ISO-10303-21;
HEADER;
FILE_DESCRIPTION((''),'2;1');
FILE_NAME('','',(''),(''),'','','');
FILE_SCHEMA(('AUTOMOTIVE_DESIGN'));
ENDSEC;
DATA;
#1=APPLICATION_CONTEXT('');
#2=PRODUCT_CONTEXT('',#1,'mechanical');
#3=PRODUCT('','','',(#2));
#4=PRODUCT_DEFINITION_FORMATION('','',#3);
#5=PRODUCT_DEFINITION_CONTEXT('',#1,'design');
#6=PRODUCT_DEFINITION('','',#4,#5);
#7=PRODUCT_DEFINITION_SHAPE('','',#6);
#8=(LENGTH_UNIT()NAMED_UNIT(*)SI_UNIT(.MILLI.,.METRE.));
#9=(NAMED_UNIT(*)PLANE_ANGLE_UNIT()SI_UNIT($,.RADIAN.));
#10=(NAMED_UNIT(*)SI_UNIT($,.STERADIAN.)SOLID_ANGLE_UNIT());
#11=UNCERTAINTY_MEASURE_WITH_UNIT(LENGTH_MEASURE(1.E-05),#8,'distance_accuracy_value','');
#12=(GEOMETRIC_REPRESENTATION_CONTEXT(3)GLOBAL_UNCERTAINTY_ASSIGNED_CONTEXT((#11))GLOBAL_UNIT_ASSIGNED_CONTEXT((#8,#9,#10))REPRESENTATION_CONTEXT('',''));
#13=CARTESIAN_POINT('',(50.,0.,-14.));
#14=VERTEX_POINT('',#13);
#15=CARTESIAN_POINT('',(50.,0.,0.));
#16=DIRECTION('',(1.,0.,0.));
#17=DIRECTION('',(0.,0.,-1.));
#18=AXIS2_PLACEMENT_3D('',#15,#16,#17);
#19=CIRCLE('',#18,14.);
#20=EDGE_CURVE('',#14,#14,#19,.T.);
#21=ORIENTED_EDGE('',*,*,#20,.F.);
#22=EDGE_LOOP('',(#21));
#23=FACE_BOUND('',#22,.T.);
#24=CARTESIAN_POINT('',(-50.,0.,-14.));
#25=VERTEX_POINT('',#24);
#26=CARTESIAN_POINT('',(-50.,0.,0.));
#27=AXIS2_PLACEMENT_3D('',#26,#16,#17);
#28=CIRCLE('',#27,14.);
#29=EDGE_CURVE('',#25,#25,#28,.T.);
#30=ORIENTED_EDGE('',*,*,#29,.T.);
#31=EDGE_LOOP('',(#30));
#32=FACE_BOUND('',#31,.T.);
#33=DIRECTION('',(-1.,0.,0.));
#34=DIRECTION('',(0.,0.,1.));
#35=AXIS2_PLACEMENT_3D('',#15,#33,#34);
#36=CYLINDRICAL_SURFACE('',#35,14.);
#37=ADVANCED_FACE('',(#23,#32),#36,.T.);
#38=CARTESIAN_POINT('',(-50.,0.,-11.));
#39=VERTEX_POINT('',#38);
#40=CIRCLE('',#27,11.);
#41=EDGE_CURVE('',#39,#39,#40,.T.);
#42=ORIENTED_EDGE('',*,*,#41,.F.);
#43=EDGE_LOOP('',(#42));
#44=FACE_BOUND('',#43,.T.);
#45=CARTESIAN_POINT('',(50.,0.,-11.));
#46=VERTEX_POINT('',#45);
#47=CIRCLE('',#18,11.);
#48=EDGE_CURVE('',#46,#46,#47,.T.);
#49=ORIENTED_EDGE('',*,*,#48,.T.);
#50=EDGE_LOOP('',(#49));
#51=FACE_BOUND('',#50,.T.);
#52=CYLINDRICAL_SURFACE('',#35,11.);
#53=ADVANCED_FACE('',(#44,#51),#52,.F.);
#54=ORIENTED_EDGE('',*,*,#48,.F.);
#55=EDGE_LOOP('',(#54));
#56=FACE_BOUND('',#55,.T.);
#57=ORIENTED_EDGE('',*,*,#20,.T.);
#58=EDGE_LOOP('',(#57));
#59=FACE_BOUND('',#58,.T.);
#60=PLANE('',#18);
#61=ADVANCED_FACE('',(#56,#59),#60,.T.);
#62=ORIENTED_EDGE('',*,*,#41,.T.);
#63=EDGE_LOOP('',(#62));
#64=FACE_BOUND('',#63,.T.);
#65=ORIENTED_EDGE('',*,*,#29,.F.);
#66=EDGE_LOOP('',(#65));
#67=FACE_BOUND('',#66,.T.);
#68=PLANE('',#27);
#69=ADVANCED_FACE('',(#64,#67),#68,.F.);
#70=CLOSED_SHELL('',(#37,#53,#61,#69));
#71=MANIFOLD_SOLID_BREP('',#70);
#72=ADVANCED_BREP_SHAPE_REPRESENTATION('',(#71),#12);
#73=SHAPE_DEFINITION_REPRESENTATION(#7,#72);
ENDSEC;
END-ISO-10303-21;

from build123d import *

# Parameters (mm, degrees)
SKETCH_3_R      = 14
SKETCH_3_R_2    = 11
EXTRUDE_1_DEPTH = 50


with BuildPart() as part:
    # 스케치3 → 보스-돌출1 (new, symmetric)
    with BuildSketch(Plane(origin=(0, 0, 0), x_dir=(0, 0, -1), z_dir=(1, 0, 0))):
        Circle(SKETCH_3_R)
        Circle(SKETCH_3_R_2, mode=Mode.SUBTRACT)
    extrude(amount=EXTRUDE_1_DEPTH, both=True)


solid = part.part
